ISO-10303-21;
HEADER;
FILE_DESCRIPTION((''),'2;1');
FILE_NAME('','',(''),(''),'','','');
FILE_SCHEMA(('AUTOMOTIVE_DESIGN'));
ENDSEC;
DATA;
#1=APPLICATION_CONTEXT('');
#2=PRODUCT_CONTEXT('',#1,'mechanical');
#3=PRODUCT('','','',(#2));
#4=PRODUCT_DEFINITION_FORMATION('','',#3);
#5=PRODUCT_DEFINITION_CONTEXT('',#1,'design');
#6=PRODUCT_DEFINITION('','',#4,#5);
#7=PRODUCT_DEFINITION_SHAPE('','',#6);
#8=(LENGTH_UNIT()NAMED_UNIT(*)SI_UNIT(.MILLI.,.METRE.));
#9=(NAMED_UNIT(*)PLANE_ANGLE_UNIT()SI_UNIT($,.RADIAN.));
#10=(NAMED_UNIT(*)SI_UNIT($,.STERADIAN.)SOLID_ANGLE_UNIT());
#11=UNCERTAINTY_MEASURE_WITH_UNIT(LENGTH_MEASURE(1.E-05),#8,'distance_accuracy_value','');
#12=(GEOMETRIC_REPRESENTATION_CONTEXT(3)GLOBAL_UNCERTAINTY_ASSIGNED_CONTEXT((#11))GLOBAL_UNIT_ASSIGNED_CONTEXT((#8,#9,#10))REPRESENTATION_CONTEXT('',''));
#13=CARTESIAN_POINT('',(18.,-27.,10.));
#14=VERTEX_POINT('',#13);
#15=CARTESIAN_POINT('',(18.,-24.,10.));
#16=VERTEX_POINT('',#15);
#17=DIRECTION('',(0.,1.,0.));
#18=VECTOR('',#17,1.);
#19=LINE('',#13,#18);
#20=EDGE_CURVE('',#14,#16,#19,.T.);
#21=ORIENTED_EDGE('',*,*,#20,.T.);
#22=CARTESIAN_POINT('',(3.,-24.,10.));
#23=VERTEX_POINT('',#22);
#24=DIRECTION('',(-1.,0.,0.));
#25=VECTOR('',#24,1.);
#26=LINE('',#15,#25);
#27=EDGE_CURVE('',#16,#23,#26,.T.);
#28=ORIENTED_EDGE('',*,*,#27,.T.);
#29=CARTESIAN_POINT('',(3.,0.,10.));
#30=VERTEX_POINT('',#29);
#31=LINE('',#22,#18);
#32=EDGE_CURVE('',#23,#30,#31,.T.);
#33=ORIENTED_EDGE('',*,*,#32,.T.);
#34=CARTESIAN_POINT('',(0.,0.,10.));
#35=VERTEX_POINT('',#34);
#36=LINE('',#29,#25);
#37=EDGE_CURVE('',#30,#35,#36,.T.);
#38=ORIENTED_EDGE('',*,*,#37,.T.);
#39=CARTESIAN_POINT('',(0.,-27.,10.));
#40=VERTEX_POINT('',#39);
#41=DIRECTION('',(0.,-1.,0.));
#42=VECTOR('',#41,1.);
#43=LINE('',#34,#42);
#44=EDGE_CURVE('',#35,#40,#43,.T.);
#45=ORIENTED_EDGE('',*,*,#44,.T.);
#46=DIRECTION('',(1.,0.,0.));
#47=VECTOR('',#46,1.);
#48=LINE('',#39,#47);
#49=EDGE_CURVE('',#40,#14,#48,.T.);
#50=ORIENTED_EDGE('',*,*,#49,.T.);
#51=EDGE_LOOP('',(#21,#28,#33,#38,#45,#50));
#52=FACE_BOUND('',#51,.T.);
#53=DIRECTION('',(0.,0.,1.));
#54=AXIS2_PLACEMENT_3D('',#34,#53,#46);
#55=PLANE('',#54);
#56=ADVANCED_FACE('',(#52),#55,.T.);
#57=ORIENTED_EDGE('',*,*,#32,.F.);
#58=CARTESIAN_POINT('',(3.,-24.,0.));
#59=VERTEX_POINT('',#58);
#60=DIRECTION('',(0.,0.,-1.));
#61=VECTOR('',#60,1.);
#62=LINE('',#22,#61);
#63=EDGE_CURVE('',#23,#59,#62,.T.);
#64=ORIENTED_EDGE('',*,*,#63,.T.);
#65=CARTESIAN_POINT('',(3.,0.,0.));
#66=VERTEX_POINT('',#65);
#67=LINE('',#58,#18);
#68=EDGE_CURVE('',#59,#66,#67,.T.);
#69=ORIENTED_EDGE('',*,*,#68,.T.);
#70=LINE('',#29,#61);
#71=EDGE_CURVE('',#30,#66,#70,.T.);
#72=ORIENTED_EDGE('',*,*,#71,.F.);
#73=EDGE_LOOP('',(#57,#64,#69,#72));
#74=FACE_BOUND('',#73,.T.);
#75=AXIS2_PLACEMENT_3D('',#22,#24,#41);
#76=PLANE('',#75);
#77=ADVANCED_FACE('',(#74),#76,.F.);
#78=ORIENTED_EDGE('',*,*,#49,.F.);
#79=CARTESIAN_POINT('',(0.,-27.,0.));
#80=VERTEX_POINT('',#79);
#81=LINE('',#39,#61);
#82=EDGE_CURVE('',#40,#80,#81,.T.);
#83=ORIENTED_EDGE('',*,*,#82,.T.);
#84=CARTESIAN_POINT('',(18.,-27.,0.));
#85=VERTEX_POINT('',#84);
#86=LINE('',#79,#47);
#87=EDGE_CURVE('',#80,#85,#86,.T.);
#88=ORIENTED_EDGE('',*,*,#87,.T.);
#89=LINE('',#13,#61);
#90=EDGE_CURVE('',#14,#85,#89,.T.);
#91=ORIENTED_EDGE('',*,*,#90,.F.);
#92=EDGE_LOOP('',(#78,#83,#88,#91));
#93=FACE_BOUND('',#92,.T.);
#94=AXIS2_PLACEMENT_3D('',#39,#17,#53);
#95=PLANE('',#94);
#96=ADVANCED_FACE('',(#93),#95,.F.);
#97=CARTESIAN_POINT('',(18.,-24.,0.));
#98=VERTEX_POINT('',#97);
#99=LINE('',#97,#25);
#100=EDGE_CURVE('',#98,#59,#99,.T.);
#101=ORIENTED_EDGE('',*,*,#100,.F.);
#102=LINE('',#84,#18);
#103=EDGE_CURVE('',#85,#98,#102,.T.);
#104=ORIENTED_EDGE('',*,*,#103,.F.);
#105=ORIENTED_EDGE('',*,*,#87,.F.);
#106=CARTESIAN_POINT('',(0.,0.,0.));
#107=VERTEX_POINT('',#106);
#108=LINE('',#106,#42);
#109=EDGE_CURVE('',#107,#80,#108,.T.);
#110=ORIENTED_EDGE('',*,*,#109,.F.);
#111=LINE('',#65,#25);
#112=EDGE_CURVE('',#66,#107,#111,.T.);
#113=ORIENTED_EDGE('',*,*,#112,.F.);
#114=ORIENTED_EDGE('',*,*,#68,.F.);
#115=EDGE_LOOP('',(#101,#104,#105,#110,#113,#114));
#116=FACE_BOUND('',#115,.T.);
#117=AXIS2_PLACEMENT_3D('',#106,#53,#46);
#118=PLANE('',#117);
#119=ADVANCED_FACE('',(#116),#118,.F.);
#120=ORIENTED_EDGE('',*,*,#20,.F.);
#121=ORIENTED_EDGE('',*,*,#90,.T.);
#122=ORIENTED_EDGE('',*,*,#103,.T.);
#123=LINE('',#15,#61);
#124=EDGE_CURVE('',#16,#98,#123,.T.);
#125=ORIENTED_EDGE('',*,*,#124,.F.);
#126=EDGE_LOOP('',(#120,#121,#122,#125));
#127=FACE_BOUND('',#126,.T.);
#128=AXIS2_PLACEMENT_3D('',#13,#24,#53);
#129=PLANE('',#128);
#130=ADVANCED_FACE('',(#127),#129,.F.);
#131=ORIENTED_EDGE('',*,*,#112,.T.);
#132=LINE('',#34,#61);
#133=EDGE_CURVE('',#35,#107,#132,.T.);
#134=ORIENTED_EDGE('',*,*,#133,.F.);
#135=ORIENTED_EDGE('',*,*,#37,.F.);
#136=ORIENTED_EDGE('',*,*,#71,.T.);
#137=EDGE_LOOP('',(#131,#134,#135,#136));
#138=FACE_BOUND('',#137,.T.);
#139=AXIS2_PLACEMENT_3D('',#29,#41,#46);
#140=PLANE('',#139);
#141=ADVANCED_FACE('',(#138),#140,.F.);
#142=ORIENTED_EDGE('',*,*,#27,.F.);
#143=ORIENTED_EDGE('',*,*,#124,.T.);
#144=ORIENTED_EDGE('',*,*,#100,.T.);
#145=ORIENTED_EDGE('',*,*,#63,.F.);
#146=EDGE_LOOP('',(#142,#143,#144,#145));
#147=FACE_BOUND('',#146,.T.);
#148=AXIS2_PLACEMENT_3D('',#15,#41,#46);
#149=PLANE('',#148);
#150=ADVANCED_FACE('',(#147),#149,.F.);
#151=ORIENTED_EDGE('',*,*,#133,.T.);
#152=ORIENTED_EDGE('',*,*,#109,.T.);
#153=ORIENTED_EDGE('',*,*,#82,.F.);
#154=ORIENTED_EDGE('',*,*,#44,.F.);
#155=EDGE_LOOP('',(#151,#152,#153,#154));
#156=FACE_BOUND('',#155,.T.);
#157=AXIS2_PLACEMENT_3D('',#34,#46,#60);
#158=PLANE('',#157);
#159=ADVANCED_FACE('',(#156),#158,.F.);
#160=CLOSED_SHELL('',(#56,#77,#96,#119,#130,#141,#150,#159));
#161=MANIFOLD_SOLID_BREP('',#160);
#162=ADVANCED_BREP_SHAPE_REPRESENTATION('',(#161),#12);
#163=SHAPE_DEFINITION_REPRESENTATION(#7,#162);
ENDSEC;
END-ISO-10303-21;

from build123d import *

# Parameters (mm, degrees)
BOSS_EXTRUDE1_DEPTH = 10


with BuildPart() as part:
    # Sketch1 → Boss-Extrude1 (new body)
    with BuildSketch(Plane.XY):
        Polygon((0, 0), (0, -27), (18, -27), (18, -24), (3, -24), (3, 0), align=None)
    extrude(amount=BOSS_EXTRUDE1_DEPTH)


solid = part.part
